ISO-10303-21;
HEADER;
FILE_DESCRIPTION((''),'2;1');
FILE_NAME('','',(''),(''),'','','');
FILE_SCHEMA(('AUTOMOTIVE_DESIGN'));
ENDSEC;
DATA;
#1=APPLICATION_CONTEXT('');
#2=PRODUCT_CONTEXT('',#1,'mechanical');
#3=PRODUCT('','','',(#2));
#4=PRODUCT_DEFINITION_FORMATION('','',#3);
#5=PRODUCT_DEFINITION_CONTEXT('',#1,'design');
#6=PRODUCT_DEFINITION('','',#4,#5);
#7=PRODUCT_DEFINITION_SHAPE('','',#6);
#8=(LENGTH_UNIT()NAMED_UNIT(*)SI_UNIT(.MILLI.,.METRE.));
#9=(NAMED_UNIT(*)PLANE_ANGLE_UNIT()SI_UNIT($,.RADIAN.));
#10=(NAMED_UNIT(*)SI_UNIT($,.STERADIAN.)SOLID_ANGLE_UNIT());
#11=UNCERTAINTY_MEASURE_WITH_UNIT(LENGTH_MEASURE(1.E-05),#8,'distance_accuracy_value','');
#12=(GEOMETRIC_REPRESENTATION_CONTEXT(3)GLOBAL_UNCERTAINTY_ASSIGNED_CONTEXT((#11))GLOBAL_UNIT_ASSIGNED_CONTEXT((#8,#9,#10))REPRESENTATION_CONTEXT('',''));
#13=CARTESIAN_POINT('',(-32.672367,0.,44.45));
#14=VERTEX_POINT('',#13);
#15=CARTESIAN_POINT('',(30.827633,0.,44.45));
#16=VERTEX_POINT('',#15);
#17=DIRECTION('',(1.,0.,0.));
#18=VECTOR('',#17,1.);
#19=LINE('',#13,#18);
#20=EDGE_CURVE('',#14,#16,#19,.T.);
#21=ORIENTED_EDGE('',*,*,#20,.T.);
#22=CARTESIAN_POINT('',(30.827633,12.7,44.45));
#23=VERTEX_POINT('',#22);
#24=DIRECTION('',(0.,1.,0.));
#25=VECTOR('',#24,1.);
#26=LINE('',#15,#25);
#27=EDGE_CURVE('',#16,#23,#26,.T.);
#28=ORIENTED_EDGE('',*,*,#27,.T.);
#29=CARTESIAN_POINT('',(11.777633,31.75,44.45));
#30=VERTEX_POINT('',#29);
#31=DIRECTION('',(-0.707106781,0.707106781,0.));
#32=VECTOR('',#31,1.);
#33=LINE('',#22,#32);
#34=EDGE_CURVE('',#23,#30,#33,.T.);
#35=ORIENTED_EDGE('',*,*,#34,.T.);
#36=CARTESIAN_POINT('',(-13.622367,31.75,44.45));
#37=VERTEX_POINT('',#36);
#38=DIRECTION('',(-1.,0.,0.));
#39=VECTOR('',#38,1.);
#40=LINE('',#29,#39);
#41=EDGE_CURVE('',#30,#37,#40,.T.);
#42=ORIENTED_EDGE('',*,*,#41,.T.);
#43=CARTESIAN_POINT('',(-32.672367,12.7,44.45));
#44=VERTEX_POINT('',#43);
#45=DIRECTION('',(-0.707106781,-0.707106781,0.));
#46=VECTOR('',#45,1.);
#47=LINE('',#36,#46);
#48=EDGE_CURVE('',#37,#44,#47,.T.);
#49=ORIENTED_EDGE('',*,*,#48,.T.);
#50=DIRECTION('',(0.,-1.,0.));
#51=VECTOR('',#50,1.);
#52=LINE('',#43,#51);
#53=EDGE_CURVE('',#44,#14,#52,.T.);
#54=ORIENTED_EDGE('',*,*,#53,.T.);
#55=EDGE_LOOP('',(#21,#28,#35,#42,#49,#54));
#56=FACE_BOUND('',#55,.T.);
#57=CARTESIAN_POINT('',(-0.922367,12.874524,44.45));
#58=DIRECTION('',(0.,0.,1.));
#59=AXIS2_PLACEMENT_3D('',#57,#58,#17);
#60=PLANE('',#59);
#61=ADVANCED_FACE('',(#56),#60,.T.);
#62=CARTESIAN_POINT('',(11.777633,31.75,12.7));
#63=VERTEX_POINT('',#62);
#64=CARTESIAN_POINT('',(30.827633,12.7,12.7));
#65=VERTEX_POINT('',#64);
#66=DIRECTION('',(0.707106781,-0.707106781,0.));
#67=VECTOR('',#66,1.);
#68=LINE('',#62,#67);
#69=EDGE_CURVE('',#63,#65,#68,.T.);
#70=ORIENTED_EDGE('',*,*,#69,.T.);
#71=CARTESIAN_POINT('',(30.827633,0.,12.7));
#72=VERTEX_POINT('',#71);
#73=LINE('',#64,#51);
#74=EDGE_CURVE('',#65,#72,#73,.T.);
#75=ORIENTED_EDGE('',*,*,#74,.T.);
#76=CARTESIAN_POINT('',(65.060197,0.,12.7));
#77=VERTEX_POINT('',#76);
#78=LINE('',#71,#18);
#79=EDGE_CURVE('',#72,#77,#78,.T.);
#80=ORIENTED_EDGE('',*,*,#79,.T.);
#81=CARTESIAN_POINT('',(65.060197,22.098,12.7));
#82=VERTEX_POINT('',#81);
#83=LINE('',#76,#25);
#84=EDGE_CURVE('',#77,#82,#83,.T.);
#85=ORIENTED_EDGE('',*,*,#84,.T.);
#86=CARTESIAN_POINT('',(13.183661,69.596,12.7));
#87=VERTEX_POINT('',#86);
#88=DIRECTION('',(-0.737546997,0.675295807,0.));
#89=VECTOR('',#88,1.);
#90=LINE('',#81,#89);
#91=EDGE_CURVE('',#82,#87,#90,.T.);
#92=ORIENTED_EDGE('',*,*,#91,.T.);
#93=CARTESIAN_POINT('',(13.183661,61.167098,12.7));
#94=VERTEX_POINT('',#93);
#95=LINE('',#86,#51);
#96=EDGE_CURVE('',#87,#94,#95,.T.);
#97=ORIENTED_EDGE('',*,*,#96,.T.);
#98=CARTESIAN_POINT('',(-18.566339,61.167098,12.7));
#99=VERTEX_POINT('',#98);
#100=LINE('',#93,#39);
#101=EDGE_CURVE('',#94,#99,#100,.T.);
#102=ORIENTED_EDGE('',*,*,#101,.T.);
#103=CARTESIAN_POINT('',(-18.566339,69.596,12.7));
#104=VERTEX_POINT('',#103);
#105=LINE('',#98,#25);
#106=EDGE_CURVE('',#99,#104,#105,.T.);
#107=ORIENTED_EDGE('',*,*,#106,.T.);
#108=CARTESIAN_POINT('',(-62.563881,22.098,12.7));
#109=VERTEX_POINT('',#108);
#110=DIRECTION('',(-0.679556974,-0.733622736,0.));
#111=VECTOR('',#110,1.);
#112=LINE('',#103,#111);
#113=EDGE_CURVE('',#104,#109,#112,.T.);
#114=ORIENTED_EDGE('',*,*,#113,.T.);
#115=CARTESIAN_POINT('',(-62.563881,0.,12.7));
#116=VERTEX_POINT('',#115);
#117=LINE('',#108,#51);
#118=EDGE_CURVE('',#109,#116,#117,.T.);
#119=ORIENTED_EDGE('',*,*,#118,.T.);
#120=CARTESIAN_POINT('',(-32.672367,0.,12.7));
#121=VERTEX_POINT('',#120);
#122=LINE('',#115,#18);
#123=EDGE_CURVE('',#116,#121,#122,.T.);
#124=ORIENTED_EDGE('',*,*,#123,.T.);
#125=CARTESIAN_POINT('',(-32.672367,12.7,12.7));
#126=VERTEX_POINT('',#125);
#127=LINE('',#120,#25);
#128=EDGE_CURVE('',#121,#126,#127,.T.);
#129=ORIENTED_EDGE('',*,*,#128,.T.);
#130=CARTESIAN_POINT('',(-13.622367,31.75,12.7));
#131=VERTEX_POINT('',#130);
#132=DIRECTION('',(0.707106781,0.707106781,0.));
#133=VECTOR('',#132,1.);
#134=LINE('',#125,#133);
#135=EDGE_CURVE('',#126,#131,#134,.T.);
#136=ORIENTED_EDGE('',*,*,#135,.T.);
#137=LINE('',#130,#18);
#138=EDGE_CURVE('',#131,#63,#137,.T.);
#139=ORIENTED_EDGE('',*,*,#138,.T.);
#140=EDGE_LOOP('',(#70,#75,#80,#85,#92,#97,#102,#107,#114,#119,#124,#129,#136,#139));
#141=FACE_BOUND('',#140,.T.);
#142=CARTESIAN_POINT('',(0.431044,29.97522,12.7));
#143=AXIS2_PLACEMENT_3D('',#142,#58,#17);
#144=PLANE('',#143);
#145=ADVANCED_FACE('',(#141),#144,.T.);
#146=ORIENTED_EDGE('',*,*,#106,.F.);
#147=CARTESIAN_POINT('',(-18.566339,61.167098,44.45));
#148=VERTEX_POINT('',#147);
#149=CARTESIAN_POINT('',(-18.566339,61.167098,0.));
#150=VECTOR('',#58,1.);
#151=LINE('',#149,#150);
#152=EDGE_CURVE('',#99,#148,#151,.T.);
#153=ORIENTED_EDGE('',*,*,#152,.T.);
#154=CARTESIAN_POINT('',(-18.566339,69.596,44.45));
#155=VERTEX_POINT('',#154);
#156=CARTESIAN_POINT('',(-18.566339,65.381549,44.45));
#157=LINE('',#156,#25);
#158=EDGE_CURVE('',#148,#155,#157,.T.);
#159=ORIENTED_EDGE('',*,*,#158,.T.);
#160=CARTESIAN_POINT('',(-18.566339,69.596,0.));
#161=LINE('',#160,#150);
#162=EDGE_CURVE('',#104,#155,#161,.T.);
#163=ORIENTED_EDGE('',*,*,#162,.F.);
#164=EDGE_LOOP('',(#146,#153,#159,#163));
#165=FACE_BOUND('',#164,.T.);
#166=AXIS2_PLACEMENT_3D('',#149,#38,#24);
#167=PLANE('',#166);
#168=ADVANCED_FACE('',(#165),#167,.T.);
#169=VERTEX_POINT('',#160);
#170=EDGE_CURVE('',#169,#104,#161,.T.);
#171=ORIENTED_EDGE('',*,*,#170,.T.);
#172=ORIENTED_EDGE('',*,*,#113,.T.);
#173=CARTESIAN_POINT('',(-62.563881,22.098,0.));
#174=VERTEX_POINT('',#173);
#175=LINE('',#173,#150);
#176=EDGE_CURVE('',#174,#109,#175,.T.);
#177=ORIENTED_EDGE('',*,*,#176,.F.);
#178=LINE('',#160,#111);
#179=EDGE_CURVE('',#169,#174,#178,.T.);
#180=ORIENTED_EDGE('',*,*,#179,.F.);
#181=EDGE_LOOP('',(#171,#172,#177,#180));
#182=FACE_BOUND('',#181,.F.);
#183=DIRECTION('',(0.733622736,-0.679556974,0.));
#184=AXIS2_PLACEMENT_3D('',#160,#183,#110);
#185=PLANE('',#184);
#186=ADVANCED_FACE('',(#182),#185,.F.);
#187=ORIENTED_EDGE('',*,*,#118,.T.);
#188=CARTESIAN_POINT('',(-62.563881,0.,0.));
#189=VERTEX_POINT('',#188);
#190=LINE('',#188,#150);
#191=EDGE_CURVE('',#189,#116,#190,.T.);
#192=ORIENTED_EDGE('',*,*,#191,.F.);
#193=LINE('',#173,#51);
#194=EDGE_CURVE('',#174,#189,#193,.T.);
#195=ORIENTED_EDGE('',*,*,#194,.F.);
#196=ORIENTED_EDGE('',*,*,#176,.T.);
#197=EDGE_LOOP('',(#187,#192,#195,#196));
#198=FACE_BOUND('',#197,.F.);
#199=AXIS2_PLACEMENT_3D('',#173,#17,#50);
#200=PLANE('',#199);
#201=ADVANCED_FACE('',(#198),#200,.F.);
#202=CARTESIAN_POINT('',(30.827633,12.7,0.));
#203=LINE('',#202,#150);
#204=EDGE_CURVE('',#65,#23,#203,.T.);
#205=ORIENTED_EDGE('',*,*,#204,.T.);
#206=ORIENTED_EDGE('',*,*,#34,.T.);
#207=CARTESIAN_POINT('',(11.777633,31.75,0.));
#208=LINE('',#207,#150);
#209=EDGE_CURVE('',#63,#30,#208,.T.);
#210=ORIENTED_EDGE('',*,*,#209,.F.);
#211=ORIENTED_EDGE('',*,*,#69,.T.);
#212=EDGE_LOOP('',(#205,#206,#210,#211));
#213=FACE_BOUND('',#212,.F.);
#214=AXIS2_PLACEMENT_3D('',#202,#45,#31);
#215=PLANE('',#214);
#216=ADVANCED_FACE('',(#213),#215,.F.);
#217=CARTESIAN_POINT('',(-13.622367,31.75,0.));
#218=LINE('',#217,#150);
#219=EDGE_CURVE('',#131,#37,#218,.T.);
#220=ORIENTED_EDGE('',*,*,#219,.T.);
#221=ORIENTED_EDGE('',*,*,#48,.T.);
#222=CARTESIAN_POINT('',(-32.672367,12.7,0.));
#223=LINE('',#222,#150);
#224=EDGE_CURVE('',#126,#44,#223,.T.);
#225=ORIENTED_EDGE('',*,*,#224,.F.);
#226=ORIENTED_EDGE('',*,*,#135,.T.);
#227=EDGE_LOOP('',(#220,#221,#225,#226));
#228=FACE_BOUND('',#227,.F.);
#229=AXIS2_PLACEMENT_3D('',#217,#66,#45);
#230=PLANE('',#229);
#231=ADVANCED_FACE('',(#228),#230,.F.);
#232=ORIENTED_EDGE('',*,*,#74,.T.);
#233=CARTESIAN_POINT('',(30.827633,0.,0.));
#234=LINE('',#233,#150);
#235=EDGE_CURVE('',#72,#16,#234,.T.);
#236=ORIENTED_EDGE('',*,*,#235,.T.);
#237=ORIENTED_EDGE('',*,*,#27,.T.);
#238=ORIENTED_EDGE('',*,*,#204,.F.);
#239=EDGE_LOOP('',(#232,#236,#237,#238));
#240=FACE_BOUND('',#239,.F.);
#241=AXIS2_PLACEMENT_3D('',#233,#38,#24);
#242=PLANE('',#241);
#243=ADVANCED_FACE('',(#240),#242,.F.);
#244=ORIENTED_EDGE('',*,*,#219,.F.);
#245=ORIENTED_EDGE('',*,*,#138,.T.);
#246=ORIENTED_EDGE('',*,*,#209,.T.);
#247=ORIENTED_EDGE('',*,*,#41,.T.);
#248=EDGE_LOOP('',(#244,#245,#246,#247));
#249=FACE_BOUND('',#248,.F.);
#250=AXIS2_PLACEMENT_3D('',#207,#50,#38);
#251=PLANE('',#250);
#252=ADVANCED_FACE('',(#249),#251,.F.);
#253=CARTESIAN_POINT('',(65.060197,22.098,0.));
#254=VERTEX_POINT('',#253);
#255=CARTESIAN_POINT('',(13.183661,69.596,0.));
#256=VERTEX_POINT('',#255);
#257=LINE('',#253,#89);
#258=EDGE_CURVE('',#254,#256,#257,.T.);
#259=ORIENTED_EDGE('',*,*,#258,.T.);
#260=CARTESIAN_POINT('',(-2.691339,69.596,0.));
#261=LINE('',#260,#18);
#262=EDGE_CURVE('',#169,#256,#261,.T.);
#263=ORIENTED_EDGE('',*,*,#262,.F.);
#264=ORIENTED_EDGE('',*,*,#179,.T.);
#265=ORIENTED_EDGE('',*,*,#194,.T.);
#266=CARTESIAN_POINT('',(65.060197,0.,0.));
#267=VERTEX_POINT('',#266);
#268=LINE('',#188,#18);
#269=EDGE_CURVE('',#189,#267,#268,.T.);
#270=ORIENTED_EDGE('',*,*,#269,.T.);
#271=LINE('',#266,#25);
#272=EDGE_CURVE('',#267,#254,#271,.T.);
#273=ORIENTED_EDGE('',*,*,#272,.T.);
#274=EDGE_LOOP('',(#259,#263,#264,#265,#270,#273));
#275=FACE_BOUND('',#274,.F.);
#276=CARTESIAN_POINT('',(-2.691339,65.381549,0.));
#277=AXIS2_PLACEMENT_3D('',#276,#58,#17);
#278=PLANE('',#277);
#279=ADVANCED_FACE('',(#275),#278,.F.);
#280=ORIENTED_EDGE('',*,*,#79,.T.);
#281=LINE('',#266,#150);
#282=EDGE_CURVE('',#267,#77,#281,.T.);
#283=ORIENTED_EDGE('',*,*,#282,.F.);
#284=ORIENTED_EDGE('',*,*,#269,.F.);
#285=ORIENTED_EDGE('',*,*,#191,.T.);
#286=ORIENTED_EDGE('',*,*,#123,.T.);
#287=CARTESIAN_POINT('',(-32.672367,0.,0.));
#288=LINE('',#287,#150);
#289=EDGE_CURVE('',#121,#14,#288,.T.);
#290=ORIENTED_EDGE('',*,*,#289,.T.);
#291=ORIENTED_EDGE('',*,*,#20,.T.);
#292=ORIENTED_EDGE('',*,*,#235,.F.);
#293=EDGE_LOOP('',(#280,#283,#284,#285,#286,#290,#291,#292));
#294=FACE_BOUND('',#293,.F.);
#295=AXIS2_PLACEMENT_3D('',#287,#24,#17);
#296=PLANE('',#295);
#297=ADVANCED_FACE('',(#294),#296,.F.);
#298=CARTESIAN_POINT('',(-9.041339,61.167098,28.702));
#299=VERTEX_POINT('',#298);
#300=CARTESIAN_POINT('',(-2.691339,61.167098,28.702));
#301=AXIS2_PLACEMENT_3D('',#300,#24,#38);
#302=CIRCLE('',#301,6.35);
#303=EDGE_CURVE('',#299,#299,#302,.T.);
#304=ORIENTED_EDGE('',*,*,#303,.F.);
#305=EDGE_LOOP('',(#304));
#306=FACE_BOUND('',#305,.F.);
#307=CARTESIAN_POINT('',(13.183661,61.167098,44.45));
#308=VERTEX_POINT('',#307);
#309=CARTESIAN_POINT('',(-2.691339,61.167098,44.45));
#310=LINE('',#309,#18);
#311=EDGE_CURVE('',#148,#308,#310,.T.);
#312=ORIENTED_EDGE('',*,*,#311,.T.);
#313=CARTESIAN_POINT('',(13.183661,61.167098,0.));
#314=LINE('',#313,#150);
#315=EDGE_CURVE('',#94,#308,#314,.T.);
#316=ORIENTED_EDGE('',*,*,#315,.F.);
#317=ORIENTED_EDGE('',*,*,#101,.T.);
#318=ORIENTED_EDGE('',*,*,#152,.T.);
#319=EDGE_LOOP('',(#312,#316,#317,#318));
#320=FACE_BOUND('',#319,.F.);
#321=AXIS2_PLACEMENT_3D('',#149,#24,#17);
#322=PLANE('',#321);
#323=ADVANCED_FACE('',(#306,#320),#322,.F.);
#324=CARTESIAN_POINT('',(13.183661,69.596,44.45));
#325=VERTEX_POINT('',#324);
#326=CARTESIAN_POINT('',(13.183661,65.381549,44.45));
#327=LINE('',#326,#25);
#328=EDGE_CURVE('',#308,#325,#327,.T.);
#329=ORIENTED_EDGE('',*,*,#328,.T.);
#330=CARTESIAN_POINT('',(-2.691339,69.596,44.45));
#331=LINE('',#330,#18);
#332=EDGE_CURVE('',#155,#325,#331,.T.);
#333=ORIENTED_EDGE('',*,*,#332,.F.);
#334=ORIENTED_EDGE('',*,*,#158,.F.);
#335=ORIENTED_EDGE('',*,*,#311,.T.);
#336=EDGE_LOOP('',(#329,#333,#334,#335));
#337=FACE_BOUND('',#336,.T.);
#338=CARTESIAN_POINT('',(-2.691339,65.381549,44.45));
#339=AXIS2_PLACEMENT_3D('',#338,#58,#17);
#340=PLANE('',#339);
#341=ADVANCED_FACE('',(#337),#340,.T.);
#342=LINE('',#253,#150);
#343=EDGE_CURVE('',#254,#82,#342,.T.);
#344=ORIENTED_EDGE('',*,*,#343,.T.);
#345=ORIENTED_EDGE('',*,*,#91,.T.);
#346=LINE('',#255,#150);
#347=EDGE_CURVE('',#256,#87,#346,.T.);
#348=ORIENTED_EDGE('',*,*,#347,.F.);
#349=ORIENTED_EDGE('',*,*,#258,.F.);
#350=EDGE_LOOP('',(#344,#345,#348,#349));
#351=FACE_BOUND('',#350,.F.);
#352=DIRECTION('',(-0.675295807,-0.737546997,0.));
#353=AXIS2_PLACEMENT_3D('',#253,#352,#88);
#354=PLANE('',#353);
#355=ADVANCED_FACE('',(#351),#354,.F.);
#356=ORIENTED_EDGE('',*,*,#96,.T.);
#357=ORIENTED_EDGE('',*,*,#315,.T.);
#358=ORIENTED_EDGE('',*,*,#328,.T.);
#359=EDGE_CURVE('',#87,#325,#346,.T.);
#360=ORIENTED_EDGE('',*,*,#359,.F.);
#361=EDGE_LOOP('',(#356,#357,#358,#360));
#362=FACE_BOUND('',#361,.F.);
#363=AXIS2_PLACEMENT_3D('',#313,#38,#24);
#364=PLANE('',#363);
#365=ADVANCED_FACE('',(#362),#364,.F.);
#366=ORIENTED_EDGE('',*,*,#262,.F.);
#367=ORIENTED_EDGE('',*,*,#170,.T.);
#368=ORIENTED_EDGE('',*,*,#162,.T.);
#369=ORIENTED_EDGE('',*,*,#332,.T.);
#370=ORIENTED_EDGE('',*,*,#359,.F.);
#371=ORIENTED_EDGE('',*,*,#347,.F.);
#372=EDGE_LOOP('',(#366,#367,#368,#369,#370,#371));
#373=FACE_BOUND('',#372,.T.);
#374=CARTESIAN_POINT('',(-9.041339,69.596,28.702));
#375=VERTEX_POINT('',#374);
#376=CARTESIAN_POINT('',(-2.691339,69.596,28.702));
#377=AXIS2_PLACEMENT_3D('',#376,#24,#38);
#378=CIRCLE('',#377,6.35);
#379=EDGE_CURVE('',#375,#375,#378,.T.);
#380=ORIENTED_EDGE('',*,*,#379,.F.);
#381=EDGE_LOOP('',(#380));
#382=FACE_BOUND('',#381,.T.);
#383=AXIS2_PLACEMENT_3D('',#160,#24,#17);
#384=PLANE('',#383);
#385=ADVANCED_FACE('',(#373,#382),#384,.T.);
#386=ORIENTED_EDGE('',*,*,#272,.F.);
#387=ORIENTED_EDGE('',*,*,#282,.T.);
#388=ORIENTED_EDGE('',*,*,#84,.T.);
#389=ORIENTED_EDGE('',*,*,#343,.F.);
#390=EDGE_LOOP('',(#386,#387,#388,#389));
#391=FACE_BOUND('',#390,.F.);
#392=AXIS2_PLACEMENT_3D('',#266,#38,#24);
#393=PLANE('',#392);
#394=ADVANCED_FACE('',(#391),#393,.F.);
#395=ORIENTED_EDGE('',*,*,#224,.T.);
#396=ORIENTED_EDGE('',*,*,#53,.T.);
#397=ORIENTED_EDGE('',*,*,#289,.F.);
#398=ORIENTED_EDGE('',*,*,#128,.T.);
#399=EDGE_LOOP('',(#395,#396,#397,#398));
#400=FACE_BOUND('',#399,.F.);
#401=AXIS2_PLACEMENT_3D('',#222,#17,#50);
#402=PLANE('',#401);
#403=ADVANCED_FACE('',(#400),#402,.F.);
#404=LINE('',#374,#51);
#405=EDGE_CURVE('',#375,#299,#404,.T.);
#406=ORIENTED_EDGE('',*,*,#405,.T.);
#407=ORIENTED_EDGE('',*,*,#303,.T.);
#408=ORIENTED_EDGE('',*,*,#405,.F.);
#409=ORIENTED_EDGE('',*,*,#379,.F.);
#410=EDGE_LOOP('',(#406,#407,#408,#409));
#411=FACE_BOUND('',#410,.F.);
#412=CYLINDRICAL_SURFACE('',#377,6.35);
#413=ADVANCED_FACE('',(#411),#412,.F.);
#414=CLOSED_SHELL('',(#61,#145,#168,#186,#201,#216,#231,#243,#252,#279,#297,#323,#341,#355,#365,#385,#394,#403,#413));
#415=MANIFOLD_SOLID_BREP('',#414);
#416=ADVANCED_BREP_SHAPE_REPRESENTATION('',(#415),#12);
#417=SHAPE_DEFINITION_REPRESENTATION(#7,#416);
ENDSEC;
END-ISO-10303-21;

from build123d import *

# Parameters (mm, degrees)
F1_DEPTH = 12.7
F2_DEPTH = 44.45
F0_W     = 31.75
F0_H     = 8.428902
F3_DEPTH = 44.45
F4_R     = 6.35
F5_DEPTH = 14.224


with BuildPart() as f1:
    # F0 (on Top) → F1 (new body)
    with BuildSketch(Plane.XY):
        Polygon((-62.563881, 0), (-61.939803, 0), (-32.672367, 0), (-32.672367, 12.7), (-13.622367, 31.75), (11.777633, 31.75), (30.827633, 12.7), (30.827633, 0), (65.060197, 0), (65.060197, 22.098), (13.183661, 69.596), (13.183661, 61.167098), (-18.566339, 61.167098), (-18.566339, 69.596), (-62.563881, 22.098), align=None)
    extrude(amount=F1_DEPTH)

    # F0 (on Top) → F2 (join)
    with BuildSketch(Plane.XY):
        Polygon((-32.672367, 12.7), (-32.672367, 0), (30.827633, 0), (30.827633, 12.7), (11.777633, 31.75), (-13.622367, 31.75), align=None)
    extrude(amount=F2_DEPTH)

    # F0 (on Top) → F3 (join)
    with BuildSketch(Plane.XY):
        with Locations((-2.691339, 65.381549)):
            Rectangle(F0_W, F0_H)
    extrude(amount=F3_DEPTH)

    # F4 (on face) → F5 (cut)
    with BuildSketch(Plane(origin=(0, 69.596, 0), x_dir=(-1, 0, 0), z_dir=(0, 1, 0))):
        with Locations((2.691339, 28.702)):
            Circle(F4_R)
    extrude(amount=-F5_DEPTH, mode=Mode.SUBTRACT)


solid = f1.part
